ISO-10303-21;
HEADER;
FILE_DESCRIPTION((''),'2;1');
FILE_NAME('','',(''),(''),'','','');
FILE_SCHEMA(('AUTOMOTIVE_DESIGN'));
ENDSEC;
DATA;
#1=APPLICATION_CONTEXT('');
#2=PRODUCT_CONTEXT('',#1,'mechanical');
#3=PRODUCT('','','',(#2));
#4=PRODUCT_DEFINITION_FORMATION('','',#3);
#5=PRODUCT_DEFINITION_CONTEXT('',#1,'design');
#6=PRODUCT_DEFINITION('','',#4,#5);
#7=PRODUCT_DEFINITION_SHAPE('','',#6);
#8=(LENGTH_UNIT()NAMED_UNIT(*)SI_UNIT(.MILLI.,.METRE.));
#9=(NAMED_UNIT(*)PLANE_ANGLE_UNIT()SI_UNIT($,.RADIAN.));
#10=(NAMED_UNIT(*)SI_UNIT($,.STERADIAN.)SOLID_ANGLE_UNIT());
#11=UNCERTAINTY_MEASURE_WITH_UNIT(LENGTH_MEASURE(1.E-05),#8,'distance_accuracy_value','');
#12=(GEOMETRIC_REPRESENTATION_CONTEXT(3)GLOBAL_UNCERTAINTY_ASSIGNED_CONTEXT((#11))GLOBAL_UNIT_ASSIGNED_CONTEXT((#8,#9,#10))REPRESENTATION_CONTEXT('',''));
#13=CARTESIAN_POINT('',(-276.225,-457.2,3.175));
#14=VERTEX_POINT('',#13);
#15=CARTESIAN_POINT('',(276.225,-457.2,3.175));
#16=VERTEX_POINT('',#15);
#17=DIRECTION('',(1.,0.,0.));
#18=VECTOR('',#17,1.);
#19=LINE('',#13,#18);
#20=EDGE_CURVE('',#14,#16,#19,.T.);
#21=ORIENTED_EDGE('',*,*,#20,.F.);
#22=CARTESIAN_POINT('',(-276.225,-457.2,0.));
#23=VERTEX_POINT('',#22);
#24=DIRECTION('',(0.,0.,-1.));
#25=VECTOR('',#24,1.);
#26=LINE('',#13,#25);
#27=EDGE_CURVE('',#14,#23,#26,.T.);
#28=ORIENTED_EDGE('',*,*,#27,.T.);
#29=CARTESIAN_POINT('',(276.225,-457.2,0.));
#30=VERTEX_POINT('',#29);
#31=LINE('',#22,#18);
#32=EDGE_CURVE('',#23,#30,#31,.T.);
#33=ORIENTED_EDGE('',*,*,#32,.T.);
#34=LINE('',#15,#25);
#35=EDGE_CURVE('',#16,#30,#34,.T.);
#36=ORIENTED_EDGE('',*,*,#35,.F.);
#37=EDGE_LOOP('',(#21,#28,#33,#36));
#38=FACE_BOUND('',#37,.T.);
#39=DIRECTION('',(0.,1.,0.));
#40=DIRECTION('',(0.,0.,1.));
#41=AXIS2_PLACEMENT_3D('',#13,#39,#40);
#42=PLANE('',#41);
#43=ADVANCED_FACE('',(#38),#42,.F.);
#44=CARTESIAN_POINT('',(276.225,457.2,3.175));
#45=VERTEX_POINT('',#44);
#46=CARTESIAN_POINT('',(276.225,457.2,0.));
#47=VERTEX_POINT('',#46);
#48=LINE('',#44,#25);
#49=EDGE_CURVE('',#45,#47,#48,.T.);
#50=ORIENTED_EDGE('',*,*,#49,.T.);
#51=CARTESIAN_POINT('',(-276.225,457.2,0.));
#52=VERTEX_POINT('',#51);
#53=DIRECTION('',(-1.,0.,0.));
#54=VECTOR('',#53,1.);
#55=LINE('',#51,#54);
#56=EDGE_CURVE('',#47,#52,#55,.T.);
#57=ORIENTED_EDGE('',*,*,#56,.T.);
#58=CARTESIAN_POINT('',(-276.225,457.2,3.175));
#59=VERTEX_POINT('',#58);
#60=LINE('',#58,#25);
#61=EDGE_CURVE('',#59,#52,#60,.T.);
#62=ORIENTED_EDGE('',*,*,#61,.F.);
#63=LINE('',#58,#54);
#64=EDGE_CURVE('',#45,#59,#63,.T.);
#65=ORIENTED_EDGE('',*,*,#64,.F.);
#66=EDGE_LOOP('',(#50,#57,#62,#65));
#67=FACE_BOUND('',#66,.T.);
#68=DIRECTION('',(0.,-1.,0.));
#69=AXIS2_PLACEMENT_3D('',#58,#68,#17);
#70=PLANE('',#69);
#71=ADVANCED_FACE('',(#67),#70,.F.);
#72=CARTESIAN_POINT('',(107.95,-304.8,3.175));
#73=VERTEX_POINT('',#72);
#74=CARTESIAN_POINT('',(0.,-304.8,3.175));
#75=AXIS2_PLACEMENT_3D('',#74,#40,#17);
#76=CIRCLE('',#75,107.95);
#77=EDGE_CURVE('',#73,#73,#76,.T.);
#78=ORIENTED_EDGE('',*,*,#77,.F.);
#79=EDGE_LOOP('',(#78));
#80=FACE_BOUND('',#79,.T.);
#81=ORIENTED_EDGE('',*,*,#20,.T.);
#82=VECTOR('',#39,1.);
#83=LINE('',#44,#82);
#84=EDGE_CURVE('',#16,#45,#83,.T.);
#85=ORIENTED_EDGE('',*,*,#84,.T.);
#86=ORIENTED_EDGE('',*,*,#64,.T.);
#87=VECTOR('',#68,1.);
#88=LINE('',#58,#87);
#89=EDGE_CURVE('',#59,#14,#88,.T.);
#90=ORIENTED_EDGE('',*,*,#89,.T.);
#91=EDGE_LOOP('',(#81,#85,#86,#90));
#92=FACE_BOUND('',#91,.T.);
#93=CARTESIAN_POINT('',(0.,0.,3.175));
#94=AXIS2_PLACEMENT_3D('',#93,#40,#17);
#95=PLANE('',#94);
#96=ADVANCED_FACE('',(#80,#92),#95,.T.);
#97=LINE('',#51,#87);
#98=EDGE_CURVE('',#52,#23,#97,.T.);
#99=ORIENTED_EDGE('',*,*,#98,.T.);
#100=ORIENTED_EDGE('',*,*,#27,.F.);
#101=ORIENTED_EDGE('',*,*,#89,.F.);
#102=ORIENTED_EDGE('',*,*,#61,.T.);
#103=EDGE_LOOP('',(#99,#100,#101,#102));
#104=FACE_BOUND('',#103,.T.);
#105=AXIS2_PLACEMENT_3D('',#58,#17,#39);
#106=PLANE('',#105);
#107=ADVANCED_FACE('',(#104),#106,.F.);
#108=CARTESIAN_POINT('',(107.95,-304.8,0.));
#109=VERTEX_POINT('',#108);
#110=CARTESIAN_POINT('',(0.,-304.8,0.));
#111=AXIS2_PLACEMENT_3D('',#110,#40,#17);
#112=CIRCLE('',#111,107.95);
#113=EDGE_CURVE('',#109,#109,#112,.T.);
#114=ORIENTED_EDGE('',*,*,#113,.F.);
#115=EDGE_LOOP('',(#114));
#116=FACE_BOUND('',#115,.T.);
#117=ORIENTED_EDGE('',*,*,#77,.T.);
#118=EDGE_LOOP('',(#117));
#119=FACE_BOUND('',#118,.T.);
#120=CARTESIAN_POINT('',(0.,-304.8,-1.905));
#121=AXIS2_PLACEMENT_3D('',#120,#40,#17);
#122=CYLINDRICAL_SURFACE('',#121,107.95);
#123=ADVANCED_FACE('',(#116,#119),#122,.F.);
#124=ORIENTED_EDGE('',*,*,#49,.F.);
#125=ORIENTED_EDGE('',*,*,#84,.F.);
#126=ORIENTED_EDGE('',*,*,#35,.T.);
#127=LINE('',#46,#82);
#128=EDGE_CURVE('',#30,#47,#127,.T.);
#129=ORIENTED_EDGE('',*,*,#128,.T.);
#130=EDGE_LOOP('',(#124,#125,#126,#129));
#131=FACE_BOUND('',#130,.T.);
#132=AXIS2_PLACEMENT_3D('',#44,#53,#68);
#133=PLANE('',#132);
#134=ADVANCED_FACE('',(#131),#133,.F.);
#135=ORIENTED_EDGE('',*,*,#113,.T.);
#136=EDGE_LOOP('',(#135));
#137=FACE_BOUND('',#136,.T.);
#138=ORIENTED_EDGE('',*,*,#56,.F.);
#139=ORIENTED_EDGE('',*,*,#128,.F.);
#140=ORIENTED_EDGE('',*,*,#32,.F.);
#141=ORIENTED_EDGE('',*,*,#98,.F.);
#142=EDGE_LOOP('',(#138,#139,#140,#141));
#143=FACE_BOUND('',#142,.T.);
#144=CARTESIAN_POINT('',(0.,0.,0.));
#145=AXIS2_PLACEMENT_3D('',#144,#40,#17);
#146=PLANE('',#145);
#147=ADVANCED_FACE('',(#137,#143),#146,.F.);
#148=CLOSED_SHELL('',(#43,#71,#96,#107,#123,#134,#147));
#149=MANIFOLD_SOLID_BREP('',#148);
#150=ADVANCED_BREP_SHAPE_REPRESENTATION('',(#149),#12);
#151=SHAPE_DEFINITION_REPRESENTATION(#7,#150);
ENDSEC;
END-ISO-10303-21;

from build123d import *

# Parameters (mm, degrees)
SKETCH1_W           = 552.45
SKETCH1_H           = 914.4
BOSS_EXTRUDE1_DEPTH = 3.175
SKETCH2_R           = 107.95
CUT_EXTRUDE1_DEPTH  = 5.08


with BuildPart() as part:
    # Sketch1 → Boss-Extrude1 (new body)
    with BuildSketch(Plane.XY):
        Rectangle(SKETCH1_W, SKETCH1_H)
    extrude(amount=BOSS_EXTRUDE1_DEPTH)

    # Sketch2 → Cut-Extrude1 (cut)
    with BuildSketch(Plane.XY.offset(3.175)):
        with Locations((0, -304.8)):
            Circle(SKETCH2_R)
    extrude(amount=-CUT_EXTRUDE1_DEPTH, mode=Mode.SUBTRACT)


solid = part.part
